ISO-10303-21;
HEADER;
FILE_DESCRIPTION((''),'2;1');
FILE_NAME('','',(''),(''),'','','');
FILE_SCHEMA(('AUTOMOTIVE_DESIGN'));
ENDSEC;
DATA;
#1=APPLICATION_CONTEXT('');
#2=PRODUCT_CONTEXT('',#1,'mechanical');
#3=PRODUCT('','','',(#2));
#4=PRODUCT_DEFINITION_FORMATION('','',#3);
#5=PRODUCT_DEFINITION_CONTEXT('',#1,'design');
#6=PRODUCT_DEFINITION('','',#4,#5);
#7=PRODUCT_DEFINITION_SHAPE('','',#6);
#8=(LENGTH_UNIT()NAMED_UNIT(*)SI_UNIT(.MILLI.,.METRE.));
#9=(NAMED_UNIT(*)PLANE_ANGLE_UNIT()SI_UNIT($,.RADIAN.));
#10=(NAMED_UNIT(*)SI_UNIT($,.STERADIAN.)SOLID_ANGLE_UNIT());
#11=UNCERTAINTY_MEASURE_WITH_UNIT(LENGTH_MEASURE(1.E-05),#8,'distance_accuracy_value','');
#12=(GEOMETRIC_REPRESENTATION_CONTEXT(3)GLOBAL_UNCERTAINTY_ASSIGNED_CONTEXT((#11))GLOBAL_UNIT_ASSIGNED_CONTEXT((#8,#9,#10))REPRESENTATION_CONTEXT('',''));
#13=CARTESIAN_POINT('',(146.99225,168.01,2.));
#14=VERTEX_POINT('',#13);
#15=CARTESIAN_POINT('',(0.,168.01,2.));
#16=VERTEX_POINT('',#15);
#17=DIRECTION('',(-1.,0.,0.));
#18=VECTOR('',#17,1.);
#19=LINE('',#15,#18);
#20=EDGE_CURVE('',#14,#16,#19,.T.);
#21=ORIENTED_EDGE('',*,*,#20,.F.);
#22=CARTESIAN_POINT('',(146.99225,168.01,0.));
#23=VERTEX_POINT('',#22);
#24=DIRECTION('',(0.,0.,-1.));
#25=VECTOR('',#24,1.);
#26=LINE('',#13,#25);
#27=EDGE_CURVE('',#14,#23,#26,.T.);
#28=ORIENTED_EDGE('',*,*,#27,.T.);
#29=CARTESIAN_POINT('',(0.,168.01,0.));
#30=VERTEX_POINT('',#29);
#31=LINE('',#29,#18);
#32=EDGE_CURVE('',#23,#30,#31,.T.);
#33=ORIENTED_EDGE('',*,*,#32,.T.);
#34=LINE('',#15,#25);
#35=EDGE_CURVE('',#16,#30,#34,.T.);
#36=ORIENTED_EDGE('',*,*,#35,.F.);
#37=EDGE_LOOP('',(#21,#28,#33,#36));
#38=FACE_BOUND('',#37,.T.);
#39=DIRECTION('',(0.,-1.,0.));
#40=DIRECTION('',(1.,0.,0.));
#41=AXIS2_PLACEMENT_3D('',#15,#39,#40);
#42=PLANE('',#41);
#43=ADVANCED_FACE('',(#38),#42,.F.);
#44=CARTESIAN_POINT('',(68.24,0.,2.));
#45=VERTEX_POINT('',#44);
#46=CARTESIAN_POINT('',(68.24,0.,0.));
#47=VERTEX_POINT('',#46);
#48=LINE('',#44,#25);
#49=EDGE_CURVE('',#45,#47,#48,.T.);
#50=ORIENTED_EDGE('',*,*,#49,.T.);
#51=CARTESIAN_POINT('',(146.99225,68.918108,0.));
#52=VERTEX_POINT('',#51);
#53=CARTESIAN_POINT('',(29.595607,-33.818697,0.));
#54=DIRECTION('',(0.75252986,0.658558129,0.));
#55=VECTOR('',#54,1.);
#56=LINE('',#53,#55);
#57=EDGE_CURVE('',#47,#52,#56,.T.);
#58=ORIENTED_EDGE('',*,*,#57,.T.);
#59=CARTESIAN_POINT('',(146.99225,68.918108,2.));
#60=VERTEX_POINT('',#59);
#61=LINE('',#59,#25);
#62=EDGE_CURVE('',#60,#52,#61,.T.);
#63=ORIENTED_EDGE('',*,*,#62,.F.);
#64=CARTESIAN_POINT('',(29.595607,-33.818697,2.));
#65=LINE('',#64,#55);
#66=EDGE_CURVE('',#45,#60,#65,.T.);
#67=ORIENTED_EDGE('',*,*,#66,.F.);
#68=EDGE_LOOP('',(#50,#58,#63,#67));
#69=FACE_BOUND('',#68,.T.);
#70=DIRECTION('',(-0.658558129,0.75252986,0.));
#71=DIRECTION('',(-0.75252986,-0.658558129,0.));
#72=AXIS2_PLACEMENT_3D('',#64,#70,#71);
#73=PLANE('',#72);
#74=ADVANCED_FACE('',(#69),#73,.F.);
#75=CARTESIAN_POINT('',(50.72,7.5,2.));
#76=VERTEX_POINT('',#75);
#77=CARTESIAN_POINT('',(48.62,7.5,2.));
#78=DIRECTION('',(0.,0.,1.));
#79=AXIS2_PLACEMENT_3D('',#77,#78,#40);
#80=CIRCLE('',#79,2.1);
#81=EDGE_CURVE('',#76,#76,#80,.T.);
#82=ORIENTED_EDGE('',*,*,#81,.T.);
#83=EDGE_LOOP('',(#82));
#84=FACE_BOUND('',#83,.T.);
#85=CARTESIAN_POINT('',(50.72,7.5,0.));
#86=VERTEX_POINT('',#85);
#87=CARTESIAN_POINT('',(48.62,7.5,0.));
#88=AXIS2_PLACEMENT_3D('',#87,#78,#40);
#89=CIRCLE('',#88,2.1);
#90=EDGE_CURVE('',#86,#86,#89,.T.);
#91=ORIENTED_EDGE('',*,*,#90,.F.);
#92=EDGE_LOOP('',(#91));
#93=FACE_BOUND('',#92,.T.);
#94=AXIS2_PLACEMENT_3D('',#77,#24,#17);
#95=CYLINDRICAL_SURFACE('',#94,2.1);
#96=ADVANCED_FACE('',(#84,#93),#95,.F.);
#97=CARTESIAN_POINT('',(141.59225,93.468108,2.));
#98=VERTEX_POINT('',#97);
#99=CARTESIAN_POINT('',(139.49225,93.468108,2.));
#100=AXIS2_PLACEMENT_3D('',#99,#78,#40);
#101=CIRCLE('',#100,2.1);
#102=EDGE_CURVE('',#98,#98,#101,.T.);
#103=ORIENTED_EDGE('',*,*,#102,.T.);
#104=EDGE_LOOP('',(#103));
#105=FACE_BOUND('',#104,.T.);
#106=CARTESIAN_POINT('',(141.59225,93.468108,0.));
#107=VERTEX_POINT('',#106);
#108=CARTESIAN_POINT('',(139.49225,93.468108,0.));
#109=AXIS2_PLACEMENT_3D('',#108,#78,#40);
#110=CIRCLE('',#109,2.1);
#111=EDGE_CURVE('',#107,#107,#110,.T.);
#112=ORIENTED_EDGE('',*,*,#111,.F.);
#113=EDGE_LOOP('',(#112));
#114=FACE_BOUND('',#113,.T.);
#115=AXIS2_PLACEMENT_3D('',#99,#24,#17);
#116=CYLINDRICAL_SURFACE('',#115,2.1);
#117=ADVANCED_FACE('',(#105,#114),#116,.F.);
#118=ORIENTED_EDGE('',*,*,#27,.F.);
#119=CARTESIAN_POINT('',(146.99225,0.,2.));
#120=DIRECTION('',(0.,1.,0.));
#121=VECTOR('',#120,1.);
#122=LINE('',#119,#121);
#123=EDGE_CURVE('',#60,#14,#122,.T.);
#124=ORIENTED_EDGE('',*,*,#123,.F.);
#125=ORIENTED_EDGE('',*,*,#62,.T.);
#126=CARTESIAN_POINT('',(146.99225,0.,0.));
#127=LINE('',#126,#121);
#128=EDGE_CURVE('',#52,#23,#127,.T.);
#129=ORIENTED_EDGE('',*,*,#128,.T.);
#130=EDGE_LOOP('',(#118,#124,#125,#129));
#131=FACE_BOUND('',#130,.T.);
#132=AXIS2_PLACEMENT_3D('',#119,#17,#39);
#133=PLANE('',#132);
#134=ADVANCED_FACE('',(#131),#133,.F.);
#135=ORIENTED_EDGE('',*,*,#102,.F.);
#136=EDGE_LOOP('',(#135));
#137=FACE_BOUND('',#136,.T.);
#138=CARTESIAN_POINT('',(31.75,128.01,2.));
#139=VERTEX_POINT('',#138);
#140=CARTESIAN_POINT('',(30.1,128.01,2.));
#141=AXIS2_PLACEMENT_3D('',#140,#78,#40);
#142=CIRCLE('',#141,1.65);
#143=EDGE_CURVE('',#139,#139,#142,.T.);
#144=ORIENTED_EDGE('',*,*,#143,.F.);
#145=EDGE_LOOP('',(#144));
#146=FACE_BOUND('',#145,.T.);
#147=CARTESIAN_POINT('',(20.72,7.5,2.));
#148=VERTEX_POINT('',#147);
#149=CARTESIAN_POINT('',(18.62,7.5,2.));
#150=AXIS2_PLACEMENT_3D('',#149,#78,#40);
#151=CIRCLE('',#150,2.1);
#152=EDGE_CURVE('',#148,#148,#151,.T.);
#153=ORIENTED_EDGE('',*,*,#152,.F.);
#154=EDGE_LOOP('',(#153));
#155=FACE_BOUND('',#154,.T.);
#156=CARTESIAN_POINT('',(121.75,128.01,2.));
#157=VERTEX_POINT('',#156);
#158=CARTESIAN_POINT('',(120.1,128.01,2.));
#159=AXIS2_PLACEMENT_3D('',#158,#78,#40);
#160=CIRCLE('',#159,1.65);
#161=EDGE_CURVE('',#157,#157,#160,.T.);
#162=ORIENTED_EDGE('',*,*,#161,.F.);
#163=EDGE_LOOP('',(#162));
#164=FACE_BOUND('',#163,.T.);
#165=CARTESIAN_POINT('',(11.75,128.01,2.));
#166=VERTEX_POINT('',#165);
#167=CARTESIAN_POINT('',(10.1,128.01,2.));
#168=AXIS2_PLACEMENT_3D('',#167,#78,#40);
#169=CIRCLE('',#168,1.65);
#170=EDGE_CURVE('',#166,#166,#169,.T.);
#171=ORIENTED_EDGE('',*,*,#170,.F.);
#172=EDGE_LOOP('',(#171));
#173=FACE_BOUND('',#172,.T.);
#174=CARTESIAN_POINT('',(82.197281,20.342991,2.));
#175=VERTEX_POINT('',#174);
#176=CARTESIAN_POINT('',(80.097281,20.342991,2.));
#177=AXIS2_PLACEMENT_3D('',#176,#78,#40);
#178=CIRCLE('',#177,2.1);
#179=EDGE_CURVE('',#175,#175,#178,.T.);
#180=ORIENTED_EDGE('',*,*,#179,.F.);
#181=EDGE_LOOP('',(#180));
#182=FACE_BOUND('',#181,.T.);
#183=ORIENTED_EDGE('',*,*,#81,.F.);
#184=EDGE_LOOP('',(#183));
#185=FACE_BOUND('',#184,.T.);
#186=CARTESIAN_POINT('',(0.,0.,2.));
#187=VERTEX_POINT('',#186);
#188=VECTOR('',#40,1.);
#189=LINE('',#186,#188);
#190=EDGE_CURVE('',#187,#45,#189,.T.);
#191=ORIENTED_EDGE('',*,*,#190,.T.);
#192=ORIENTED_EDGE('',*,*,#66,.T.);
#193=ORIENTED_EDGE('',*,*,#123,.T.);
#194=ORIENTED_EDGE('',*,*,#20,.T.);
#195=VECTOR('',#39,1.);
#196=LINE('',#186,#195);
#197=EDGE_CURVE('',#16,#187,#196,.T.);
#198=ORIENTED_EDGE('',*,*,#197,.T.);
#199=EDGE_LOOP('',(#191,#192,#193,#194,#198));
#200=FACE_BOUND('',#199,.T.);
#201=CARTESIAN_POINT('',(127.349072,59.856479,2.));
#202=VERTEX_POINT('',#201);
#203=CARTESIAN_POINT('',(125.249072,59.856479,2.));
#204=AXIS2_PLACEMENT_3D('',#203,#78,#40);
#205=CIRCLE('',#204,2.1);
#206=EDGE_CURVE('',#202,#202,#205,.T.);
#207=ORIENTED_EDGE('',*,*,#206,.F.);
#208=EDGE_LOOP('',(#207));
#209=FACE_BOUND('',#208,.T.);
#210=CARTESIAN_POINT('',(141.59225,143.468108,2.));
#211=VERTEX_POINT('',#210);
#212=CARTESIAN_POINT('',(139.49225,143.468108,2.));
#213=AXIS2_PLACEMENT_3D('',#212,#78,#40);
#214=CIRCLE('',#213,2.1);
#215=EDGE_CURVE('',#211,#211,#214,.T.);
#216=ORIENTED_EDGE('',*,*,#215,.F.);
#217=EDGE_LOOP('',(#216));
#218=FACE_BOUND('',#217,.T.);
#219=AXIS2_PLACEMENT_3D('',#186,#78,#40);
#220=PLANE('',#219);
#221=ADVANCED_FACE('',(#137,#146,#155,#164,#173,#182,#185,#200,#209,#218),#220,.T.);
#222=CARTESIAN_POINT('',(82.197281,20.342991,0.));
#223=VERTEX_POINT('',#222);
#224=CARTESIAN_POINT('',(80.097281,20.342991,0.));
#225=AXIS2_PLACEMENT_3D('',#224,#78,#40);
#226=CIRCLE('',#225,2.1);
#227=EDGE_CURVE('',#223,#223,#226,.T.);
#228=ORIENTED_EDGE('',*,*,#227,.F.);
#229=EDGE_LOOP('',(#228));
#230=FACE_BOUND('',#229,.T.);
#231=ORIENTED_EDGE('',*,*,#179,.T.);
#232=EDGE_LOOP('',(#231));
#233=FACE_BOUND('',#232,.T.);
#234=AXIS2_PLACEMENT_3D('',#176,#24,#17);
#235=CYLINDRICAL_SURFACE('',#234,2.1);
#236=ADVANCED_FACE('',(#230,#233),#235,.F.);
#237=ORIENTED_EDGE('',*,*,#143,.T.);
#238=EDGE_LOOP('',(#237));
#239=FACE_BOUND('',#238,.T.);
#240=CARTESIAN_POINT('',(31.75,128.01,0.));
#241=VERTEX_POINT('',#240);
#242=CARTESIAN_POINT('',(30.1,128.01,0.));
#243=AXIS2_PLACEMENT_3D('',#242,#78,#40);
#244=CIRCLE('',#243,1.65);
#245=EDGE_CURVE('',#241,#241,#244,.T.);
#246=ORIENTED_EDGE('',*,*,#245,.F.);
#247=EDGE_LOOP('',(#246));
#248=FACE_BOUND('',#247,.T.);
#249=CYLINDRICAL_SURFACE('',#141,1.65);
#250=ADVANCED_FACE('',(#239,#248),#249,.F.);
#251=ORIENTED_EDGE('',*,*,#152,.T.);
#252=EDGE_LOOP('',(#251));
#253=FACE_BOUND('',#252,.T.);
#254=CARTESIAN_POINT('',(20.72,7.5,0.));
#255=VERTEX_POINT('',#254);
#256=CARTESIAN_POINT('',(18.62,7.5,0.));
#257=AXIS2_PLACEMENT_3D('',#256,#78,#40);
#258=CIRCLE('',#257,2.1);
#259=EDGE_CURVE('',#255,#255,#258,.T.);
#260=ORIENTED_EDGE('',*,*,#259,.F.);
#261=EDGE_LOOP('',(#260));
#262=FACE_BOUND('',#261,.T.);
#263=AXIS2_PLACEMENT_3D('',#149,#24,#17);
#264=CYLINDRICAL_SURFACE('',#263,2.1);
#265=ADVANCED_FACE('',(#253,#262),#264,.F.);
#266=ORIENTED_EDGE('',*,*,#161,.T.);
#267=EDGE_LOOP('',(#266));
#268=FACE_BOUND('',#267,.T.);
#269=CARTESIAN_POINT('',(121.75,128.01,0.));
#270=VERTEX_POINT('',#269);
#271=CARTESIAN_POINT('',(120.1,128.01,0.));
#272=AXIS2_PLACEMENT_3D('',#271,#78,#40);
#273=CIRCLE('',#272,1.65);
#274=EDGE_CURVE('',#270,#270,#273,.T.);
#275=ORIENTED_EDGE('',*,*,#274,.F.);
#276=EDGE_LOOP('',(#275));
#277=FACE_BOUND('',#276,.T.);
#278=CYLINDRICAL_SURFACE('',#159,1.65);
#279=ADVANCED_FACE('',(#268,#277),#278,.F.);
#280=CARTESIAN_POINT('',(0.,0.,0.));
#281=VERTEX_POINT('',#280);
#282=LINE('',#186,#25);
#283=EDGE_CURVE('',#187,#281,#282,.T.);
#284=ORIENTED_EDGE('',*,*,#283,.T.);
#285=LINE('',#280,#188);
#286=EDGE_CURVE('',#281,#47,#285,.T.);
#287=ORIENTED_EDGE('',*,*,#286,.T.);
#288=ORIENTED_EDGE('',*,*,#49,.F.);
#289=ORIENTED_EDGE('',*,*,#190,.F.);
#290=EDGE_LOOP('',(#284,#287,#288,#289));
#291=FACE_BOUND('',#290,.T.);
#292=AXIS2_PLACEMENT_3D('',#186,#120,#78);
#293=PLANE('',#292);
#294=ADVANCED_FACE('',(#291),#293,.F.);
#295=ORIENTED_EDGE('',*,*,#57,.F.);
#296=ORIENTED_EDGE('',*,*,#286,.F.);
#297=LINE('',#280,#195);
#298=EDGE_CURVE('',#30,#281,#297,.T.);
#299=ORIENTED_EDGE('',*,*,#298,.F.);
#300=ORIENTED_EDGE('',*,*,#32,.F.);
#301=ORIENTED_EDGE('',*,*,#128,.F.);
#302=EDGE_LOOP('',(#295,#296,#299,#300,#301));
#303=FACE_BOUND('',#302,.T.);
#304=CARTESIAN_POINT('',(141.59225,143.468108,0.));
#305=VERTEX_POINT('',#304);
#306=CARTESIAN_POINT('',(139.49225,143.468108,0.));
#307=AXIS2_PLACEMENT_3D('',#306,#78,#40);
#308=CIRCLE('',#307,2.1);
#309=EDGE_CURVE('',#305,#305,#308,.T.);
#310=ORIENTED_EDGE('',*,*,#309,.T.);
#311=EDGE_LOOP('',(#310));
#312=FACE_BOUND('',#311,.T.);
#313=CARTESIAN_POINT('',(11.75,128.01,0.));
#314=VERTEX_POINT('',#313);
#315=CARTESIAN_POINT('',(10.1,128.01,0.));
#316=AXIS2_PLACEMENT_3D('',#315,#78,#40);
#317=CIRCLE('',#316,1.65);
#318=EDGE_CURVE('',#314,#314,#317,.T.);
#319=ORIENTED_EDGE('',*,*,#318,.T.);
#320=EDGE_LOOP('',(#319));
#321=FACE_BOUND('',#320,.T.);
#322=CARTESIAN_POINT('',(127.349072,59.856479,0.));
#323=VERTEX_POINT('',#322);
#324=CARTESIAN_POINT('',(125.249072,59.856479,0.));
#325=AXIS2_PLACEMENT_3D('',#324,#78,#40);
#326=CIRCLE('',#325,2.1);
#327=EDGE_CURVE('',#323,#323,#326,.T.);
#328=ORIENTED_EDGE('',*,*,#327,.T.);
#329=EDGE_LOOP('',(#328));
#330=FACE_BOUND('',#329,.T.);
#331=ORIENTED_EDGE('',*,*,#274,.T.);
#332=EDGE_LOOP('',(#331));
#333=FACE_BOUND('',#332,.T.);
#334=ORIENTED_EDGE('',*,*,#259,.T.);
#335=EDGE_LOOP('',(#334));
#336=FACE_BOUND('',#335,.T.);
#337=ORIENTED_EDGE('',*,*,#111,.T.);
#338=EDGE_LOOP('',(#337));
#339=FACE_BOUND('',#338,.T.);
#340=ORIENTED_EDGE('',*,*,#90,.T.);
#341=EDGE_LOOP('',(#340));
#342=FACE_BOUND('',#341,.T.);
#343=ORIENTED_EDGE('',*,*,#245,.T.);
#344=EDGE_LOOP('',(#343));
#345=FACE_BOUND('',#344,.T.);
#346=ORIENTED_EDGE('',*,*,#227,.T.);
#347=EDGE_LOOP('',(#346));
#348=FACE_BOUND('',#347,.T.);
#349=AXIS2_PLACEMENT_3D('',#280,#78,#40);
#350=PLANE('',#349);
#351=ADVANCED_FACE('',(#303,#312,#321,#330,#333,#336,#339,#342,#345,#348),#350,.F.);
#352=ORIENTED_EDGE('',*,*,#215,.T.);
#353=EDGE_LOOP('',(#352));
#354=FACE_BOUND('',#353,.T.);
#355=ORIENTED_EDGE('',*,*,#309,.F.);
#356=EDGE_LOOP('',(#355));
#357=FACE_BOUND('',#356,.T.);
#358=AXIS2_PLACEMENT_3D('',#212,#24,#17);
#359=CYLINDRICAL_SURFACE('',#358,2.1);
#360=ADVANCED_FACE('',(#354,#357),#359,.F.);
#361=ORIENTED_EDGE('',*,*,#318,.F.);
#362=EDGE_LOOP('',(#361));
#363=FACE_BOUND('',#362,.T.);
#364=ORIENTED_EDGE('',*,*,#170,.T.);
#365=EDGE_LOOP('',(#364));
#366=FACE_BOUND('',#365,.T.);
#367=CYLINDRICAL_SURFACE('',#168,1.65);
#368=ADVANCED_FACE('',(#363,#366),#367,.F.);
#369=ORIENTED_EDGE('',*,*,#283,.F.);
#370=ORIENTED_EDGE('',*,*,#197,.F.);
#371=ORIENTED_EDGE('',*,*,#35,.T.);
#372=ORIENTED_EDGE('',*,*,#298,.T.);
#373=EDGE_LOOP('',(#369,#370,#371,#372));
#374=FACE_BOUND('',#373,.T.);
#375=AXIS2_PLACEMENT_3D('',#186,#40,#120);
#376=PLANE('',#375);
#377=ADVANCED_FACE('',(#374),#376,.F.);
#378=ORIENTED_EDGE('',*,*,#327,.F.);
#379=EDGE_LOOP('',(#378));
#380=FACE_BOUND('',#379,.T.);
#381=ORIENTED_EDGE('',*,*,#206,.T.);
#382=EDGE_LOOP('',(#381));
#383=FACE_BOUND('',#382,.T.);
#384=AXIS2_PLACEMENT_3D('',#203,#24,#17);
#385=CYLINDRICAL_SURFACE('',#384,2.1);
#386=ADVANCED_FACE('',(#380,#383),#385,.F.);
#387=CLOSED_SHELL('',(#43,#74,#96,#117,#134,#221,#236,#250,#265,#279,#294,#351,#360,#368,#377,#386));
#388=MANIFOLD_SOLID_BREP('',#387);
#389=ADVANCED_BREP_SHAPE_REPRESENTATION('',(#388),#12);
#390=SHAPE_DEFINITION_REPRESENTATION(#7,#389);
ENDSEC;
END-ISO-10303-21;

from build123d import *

# Parameters (mm, degrees)
SKETCH_1_R          = 2.1
EXTRUDE_1_DEPTH     = 2
SKETCH_3_R          = 1
CUT_EXTRUDE_1_DEPTH = 10
M4X0_7_1_D          = 3.3
M4X0_7_1_DEPTH      = 11.5
M4X0_7_1_TIP        = 0.991420021


with BuildPart() as part:
    # ｽｹｯﾁ1 → ﾎﾞｽ - 押し出し1 (new body)
    with BuildSketch(Plane.XY):
        Polygon((0, 0), (68.24, 0), (146.992249894, 68.918108191), (146.992249894, 168.01), (0, 168.01), align=None)
        with Locations((18.62, 7.5)):
            Circle(SKETCH_1_R, mode=Mode.SUBTRACT)
        with Locations((48.62, 7.5)):
            Circle(SKETCH_1_R, mode=Mode.SUBTRACT)
        with Locations((139.492249894, 93.468108191)):
            Circle(SKETCH_1_R, mode=Mode.SUBTRACT)
        with Locations((139.492249894, 143.468108191)):
            Circle(SKETCH_1_R, mode=Mode.SUBTRACT)
        with Locations((125.249072144, 59.856479125)):
            Circle(SKETCH_1_R, mode=Mode.SUBTRACT)
        with Locations((80.097280518, 20.342991391)):
            Circle(SKETCH_1_R, mode=Mode.SUBTRACT)
    extrude(amount=EXTRUDE_1_DEPTH)

    # ｽｹｯﾁ3 → ｶｯﾄ - 押し出し1 (cut)
    with BuildSketch(Plane.XY.offset(2)):
        with Locations((10.1, 128.01)):
            Circle(SKETCH_3_R)
        with Locations((30.1, 128.01)):
            Circle(SKETCH_3_R)
        with Locations((120.1, 128.01)):
            Circle(SKETCH_3_R)
    extrude(amount=-CUT_EXTRUDE_1_DEPTH, mode=Mode.SUBTRACT)

    # M4x0.7 ねじ穴1
    with Locations(Plane(origin=(10.1, 128.01, 2), x_dir=(1, 0, 0), z_dir=(0, 0, 1))):
        with Locations((0, 0), (20, 0), (110, 0)):
            Hole(M4X0_7_1_D / 2, depth=M4X0_7_1_DEPTH)
            with Locations((0, 0, -(M4X0_7_1_DEPTH + M4X0_7_1_TIP / 2))):  # 118° drill point
                Cone(0, M4X0_7_1_D / 2, M4X0_7_1_TIP, mode=Mode.SUBTRACT)


solid = part.part
